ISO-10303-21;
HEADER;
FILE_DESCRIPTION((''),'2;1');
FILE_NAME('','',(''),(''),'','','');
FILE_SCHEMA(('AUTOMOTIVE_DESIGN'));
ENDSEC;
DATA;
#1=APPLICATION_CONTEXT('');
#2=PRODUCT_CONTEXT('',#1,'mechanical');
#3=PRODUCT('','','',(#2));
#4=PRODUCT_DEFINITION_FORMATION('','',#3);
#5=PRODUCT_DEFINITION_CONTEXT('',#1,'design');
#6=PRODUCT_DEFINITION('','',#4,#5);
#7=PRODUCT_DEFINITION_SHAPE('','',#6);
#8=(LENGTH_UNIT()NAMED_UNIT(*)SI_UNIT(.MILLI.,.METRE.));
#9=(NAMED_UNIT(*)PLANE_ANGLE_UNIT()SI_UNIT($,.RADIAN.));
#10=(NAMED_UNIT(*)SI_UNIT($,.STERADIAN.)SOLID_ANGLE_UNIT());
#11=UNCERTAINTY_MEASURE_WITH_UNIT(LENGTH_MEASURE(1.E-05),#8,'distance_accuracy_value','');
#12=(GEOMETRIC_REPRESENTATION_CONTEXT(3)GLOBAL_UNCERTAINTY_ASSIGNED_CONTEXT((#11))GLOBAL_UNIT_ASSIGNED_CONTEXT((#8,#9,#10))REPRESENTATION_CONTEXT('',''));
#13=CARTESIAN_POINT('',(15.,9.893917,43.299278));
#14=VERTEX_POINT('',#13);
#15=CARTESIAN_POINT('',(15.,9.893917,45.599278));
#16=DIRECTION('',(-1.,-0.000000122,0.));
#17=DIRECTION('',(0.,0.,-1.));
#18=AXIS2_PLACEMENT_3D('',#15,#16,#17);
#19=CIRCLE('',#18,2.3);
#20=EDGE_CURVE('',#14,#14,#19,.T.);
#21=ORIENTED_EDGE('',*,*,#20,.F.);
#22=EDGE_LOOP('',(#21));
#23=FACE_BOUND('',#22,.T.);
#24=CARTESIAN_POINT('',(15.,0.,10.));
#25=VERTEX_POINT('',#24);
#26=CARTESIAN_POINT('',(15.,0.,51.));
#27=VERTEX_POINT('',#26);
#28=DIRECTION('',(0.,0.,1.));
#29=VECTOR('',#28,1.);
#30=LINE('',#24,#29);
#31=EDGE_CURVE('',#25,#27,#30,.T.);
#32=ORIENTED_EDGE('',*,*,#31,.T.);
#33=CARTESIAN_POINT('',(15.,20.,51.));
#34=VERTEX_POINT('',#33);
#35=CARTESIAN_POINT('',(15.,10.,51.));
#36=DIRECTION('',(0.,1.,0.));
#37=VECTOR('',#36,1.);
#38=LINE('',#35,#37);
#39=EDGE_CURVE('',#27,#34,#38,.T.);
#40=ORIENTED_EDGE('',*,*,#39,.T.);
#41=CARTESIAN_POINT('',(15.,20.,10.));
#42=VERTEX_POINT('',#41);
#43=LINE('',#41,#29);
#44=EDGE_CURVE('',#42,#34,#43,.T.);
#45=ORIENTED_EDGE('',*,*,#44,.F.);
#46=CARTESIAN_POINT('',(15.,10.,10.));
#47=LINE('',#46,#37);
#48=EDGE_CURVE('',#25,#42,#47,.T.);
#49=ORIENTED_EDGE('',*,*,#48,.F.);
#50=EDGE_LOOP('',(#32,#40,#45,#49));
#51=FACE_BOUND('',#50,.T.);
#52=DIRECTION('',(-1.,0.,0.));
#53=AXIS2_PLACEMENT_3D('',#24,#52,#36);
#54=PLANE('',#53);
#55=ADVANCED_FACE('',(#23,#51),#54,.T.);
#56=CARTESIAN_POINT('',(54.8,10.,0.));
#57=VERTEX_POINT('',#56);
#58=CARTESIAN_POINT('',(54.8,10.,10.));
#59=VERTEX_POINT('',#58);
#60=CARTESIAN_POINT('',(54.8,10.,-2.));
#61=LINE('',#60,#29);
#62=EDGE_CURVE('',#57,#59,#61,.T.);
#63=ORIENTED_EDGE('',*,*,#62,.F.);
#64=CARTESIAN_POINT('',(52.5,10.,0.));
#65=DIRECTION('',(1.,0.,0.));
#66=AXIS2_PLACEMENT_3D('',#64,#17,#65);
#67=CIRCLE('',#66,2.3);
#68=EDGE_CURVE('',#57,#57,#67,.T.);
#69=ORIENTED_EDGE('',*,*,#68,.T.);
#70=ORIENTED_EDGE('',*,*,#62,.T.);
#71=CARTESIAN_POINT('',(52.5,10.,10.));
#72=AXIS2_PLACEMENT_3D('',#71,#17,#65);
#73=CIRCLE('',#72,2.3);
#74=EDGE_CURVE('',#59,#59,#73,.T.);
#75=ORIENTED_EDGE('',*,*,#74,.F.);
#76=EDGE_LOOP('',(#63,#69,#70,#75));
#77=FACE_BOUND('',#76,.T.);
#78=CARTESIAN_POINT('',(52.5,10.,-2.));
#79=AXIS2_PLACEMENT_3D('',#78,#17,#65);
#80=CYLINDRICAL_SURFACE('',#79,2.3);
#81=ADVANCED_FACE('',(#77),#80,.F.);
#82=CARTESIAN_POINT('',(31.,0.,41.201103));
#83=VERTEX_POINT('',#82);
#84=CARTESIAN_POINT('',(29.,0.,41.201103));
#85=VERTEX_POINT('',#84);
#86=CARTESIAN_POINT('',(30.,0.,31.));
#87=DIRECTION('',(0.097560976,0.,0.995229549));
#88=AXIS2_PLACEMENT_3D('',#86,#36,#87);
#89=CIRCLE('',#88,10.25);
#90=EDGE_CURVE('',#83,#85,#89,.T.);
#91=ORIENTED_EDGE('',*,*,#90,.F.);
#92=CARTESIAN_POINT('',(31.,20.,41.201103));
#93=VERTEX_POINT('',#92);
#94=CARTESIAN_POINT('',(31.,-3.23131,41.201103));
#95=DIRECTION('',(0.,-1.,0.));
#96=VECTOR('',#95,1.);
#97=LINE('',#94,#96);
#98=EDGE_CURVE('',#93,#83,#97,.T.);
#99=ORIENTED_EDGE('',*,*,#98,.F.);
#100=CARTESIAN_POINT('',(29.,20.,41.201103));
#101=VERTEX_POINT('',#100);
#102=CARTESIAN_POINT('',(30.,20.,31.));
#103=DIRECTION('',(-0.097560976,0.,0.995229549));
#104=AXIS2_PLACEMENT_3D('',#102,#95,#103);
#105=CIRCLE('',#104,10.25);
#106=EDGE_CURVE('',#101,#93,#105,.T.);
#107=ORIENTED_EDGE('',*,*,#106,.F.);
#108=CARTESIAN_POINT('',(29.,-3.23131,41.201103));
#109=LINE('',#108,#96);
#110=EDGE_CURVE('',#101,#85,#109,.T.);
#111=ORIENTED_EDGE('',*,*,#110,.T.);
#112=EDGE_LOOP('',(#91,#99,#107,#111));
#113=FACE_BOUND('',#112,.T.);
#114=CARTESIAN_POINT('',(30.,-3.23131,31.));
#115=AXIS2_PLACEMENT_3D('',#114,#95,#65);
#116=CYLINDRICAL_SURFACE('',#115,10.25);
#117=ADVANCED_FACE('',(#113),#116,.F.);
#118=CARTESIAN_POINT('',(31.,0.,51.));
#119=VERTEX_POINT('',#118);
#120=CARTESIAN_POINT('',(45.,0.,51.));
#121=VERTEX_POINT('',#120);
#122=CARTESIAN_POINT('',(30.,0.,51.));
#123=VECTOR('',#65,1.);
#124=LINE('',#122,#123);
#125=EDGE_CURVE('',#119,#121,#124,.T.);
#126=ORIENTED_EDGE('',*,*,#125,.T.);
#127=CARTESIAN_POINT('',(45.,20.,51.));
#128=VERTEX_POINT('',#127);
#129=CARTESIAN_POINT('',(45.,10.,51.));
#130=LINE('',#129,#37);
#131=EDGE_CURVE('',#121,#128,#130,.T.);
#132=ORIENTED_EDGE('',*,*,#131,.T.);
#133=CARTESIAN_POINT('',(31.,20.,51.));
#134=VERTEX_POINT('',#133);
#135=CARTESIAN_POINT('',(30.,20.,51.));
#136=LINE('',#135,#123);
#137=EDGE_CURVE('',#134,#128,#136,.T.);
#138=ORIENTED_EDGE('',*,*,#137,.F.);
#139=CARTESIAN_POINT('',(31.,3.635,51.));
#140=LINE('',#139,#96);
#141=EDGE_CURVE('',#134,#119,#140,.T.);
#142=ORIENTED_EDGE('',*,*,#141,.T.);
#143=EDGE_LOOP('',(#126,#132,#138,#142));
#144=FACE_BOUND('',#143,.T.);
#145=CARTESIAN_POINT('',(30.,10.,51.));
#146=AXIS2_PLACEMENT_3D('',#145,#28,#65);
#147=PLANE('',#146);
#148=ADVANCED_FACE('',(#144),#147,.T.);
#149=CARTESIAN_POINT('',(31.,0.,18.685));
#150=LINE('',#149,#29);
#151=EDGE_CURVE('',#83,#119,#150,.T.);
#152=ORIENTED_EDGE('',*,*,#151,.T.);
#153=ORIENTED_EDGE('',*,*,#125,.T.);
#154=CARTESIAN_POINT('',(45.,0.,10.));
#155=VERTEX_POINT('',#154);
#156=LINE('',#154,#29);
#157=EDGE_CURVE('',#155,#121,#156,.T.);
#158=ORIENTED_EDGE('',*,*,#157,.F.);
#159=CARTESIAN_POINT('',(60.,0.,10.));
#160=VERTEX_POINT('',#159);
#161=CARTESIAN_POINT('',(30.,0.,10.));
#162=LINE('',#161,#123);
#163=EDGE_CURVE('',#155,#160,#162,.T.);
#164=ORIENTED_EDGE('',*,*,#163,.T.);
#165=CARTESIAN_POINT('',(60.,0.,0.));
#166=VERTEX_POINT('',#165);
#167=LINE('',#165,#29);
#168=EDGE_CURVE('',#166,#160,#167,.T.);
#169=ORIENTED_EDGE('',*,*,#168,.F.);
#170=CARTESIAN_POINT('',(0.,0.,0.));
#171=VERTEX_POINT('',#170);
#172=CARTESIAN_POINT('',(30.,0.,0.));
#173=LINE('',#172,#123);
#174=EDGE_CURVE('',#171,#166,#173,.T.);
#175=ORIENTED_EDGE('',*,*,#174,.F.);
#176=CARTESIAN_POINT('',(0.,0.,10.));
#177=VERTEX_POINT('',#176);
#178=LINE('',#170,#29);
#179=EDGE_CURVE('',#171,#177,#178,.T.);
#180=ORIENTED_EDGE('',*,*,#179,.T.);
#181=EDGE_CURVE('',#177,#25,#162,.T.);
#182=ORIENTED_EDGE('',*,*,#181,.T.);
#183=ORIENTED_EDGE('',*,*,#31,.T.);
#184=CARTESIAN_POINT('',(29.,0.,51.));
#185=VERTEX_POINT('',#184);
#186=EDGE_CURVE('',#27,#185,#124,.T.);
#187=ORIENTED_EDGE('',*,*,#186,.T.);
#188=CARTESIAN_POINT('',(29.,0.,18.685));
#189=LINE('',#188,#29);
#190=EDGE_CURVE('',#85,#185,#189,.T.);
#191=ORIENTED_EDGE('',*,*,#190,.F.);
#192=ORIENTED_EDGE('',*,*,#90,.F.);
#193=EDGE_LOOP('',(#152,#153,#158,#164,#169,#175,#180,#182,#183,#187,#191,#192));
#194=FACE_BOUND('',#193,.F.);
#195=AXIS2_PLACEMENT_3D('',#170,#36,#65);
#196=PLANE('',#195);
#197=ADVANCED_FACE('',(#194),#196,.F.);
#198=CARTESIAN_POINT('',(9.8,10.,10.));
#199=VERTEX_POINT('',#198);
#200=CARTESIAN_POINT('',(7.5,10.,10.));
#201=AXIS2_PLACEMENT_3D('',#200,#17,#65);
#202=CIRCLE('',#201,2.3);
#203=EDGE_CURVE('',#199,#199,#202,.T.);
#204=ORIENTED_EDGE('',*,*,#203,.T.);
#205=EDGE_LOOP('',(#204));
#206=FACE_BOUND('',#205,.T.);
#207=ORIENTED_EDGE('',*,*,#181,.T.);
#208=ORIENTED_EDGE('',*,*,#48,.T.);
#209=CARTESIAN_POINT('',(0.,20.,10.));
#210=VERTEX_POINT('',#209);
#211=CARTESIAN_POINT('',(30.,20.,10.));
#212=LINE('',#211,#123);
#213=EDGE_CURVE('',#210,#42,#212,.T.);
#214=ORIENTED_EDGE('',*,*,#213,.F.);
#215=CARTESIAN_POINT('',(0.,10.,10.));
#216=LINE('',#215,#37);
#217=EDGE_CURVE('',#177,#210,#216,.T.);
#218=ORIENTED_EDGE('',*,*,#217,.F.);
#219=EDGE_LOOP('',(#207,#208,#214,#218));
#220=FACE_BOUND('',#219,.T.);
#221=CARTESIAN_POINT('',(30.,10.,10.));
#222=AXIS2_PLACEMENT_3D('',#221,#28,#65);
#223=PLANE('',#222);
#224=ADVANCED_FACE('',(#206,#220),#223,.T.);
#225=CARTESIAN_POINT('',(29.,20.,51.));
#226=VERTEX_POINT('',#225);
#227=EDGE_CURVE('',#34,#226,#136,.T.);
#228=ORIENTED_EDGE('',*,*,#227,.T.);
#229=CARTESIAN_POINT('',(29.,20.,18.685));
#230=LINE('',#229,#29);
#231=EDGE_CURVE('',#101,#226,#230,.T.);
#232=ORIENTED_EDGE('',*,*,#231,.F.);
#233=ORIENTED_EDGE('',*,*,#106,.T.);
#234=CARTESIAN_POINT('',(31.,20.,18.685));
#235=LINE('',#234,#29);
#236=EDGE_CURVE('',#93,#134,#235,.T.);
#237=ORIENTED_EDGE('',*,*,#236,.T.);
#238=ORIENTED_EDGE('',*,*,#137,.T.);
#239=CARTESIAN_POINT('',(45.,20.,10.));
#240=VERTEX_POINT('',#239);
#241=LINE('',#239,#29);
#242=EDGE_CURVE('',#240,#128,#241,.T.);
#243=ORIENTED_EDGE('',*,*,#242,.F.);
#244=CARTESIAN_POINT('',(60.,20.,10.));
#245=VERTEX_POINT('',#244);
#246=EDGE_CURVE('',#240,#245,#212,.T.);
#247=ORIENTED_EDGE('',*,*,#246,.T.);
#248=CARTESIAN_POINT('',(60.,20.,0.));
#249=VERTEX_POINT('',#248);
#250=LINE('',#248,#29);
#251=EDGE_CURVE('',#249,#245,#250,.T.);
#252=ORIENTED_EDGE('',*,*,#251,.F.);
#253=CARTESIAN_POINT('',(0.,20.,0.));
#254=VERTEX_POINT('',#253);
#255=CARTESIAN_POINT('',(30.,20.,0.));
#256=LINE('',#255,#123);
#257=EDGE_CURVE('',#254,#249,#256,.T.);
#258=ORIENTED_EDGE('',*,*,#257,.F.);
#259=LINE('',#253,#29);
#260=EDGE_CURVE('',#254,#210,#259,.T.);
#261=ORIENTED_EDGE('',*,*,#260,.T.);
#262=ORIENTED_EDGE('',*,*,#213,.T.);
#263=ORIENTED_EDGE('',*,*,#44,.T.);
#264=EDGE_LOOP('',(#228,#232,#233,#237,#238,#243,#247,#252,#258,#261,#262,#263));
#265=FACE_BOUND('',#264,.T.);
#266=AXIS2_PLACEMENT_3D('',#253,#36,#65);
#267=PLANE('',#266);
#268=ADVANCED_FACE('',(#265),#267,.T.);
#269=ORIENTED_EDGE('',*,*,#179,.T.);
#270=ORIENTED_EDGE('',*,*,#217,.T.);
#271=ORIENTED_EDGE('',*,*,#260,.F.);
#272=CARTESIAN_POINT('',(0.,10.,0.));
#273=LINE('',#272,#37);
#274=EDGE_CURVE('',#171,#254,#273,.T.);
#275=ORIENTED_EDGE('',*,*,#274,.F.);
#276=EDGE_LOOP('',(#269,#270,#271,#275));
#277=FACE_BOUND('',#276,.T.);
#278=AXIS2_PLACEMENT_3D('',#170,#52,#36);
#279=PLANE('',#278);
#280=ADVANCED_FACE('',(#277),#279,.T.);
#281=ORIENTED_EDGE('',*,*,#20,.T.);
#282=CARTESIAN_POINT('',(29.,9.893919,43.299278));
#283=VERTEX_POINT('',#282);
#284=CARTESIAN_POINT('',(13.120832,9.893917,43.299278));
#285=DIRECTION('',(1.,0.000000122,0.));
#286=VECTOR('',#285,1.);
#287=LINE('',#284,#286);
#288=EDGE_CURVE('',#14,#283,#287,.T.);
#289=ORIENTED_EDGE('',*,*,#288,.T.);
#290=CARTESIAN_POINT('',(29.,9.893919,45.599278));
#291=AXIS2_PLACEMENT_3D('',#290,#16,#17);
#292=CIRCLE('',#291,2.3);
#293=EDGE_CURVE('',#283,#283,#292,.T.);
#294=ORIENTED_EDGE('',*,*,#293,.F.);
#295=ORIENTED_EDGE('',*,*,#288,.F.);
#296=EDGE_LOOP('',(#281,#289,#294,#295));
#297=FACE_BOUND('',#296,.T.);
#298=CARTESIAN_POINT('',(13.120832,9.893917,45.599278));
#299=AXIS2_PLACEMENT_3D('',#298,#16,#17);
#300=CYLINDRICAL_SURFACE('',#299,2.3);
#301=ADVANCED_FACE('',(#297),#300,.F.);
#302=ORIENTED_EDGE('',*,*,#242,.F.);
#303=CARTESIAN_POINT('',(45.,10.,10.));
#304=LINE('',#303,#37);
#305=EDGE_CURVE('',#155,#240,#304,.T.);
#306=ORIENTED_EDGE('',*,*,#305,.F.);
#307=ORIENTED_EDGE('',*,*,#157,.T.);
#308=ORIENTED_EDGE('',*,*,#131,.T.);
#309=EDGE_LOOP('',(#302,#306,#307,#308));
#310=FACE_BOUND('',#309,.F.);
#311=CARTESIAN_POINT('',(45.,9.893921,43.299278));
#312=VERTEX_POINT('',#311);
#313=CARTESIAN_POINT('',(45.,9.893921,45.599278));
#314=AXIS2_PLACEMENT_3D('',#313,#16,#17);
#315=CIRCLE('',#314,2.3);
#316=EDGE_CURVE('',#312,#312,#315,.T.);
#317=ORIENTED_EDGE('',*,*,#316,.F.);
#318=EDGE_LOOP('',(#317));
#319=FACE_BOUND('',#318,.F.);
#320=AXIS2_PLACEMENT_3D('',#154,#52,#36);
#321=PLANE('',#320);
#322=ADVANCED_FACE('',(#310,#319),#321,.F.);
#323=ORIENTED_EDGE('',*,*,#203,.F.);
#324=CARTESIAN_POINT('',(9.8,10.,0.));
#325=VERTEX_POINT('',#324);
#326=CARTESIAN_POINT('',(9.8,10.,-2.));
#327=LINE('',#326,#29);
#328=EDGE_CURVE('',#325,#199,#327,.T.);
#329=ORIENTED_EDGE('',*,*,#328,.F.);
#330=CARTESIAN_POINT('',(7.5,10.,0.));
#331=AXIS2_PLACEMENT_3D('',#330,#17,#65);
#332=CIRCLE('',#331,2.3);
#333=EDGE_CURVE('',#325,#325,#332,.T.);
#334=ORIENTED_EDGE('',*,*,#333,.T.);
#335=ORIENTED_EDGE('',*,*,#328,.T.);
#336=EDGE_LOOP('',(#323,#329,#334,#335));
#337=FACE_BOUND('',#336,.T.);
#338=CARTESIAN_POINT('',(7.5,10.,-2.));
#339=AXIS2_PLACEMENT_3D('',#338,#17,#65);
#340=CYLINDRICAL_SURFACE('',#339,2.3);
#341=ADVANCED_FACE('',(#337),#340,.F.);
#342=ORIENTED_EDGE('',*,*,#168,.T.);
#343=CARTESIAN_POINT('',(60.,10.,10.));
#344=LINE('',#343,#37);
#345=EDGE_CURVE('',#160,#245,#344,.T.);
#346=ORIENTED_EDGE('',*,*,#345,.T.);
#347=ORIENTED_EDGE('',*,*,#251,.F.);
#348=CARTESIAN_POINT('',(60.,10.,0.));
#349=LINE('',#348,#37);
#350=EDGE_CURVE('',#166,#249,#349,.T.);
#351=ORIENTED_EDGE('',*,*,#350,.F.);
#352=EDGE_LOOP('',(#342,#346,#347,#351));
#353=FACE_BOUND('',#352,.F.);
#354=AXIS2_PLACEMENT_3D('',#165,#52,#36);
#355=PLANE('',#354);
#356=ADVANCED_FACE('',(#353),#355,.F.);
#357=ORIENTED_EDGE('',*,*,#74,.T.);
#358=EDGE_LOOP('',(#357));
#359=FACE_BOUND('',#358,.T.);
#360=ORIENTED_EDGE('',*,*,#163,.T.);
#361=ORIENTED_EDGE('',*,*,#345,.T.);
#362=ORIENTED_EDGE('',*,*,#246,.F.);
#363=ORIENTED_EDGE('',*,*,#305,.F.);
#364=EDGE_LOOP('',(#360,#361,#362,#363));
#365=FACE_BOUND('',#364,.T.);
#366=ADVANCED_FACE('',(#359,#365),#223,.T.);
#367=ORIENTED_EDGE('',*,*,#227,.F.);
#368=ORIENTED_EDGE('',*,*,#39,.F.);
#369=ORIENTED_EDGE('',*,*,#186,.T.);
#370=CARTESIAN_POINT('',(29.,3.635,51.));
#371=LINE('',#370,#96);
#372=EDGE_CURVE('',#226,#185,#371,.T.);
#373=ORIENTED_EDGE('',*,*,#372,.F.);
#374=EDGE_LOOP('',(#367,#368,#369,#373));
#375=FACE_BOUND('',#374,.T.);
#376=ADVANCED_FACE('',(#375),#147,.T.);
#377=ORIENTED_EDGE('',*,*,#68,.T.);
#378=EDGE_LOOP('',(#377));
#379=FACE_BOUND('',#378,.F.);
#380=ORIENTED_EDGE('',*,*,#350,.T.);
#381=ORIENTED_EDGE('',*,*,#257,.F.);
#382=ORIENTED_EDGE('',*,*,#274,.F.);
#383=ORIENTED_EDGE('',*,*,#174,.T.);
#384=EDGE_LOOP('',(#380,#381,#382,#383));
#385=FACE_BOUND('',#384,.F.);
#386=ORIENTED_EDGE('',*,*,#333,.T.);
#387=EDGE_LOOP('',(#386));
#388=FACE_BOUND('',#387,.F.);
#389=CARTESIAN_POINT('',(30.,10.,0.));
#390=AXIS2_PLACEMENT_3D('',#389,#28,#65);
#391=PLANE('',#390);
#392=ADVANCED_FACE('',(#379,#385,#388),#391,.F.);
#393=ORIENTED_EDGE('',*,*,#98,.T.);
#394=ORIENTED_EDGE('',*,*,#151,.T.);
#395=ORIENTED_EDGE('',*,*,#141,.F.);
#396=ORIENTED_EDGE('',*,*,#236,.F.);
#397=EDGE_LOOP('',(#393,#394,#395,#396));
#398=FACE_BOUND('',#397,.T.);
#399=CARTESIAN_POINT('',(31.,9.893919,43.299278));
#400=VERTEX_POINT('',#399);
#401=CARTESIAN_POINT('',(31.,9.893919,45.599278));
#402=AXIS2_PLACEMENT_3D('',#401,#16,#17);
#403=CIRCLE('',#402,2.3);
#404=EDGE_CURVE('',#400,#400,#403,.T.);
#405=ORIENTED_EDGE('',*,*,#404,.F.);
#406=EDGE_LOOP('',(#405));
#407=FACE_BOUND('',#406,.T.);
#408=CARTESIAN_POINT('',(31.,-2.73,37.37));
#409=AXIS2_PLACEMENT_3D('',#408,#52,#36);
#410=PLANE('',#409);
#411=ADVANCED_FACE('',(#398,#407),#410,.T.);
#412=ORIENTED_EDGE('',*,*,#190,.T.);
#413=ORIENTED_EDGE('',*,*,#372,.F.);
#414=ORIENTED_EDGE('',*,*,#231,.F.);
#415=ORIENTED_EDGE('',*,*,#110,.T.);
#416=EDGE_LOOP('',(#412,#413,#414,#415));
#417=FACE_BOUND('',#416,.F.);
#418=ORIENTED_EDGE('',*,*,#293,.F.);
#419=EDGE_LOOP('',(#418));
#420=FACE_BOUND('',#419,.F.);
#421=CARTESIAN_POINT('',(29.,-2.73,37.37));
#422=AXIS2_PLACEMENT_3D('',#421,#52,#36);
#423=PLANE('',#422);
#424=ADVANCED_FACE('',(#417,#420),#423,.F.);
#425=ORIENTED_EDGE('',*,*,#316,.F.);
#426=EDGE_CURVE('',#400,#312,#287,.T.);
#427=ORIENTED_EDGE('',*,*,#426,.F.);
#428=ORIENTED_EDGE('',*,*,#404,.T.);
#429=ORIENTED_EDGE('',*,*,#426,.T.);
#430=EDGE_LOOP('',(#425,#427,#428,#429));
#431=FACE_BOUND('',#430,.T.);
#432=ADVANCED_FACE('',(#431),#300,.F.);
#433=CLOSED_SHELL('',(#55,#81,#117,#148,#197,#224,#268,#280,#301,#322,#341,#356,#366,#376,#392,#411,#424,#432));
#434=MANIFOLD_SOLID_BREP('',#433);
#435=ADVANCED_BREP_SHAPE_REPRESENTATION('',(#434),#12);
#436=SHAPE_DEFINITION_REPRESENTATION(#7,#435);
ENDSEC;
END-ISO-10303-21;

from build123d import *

# Parameters (mm, degrees)
BOX002_W                    = 2
BOX002_H                    = 25
BOX002_DEPTH                = 15
CYLINDER003_R               = 2.3
CYLINDER003_DEPTH           = 33
CYLINDER003_PITCH_ANGLE     = 90
CYLINDER003_PLACEMENT_ANGLE = 7e-06
CYLINDER002_R               = 2.3
CYLINDER002_DEPTH           = 13
CYLINDER001_R               = 2.3
CYLINDER001_DEPTH           = 13
CYLINDER_R                  = 10.25
CYLINDER_DEPTH              = 25
CYLINDER_ROLL_ANGLE         = -90
BOX001_W                    = 30
BOX001_H                    = 20
BOX001_DEPTH                = 41
BOX_W                       = 60
BOX_H                       = 20
BOX_DEPTH                   = 10


with BuildPart() as box002:
    # Box002 → Box002 (new body)
    with BuildSketch(Plane(origin=(29, -2.73, 37.37), x_dir=(1, 0, 0), z_dir=(0, 0, 1))):
        with Locations((1, 12.5)):
            Rectangle(BOX002_W, BOX002_H)
    extrude(amount=BOX002_DEPTH)


with BuildPart() as cylinder003:
    # Cylinder003 → Cylinder003 (new body)
    with BuildSketch(Plane.XY):
        Circle(CYLINDER003_R)
    extrude(amount=CYLINDER003_DEPTH)


with BuildPart() as cylinder003_1:
    # Cylinder003 pitch: moved
    add(cylinder003.part.rotate(Axis((0, 0, 0), (0, 1, 0)), CYLINDER003_PITCH_ANGLE))


with BuildPart() as cylinder003_2:
    # Cylinder003 placement: moved
    add(cylinder003_1.part.moved(Location((13.120832, 9.893917, 45.599278))).rotate(Axis((13.120832, 9.893917, 45.599278), (0, 0, 1)), CYLINDER003_PLACEMENT_ANGLE))


with BuildPart() as cylinder002:
    # Cylinder002 → Cylinder002 (new body)
    with BuildSketch(Plane(origin=(52.5, 10, -2), x_dir=(1, 0, 0), z_dir=(0, 0, 1))):
        Circle(CYLINDER002_R)
    extrude(amount=CYLINDER002_DEPTH)


with BuildPart() as cylinder001:
    # Cylinder001 → Cylinder001 (new body)
    with BuildSketch(Plane(origin=(7.5, 10, -2), x_dir=(1, 0, 0), z_dir=(0, 0, 1))):
        Circle(CYLINDER001_R)
    extrude(amount=CYLINDER001_DEPTH)


with BuildPart() as cylinder:
    # Cylinder → Cylinder (new body)
    with BuildSketch(Plane.XY):
        Circle(CYLINDER_R)
    extrude(amount=CYLINDER_DEPTH)


with BuildPart() as cylinder_1:
    # Cylinder roll: moved
    add(cylinder.part.rotate(Axis((0, 0, 0), (1, 0, 0)), CYLINDER_ROLL_ANGLE))


with BuildPart() as cylinder_2:
    # Cylinder placement: moved
    add(cylinder_1.part.moved(Location((30, -3.23131, 31))))


with BuildPart() as cut:
    # Box001 → Box001 (new body)
    with BuildSketch(Plane(origin=(15, 0, 10), x_dir=(1, 0, 0), z_dir=(0, 0, 1))):
        with Locations((15, 10)):
            Rectangle(BOX001_W, BOX001_H)
    extrude(amount=BOX001_DEPTH)

    # Cut: cut Cylinder
    add(cylinder_2.part, mode=Mode.SUBTRACT)


with BuildPart() as cut004:
    # Box → Box (new body)
    with BuildSketch(Plane.XY):
        with Locations((30, 10)):
            Rectangle(BOX_W, BOX_H)
    extrude(amount=BOX_DEPTH)

    # Fusion: union Cut
    add(cut.part)

    # Cut001: cut Cylinder001
    add(cylinder001.part, mode=Mode.SUBTRACT)

    # Cut002: cut Cylinder002
    add(cylinder002.part, mode=Mode.SUBTRACT)

    # Cut003: cut Cylinder003
    add(cylinder003_2.part, mode=Mode.SUBTRACT)

    # Cut004: cut Box002
    add(box002.part, mode=Mode.SUBTRACT)


solid = cut004.part
